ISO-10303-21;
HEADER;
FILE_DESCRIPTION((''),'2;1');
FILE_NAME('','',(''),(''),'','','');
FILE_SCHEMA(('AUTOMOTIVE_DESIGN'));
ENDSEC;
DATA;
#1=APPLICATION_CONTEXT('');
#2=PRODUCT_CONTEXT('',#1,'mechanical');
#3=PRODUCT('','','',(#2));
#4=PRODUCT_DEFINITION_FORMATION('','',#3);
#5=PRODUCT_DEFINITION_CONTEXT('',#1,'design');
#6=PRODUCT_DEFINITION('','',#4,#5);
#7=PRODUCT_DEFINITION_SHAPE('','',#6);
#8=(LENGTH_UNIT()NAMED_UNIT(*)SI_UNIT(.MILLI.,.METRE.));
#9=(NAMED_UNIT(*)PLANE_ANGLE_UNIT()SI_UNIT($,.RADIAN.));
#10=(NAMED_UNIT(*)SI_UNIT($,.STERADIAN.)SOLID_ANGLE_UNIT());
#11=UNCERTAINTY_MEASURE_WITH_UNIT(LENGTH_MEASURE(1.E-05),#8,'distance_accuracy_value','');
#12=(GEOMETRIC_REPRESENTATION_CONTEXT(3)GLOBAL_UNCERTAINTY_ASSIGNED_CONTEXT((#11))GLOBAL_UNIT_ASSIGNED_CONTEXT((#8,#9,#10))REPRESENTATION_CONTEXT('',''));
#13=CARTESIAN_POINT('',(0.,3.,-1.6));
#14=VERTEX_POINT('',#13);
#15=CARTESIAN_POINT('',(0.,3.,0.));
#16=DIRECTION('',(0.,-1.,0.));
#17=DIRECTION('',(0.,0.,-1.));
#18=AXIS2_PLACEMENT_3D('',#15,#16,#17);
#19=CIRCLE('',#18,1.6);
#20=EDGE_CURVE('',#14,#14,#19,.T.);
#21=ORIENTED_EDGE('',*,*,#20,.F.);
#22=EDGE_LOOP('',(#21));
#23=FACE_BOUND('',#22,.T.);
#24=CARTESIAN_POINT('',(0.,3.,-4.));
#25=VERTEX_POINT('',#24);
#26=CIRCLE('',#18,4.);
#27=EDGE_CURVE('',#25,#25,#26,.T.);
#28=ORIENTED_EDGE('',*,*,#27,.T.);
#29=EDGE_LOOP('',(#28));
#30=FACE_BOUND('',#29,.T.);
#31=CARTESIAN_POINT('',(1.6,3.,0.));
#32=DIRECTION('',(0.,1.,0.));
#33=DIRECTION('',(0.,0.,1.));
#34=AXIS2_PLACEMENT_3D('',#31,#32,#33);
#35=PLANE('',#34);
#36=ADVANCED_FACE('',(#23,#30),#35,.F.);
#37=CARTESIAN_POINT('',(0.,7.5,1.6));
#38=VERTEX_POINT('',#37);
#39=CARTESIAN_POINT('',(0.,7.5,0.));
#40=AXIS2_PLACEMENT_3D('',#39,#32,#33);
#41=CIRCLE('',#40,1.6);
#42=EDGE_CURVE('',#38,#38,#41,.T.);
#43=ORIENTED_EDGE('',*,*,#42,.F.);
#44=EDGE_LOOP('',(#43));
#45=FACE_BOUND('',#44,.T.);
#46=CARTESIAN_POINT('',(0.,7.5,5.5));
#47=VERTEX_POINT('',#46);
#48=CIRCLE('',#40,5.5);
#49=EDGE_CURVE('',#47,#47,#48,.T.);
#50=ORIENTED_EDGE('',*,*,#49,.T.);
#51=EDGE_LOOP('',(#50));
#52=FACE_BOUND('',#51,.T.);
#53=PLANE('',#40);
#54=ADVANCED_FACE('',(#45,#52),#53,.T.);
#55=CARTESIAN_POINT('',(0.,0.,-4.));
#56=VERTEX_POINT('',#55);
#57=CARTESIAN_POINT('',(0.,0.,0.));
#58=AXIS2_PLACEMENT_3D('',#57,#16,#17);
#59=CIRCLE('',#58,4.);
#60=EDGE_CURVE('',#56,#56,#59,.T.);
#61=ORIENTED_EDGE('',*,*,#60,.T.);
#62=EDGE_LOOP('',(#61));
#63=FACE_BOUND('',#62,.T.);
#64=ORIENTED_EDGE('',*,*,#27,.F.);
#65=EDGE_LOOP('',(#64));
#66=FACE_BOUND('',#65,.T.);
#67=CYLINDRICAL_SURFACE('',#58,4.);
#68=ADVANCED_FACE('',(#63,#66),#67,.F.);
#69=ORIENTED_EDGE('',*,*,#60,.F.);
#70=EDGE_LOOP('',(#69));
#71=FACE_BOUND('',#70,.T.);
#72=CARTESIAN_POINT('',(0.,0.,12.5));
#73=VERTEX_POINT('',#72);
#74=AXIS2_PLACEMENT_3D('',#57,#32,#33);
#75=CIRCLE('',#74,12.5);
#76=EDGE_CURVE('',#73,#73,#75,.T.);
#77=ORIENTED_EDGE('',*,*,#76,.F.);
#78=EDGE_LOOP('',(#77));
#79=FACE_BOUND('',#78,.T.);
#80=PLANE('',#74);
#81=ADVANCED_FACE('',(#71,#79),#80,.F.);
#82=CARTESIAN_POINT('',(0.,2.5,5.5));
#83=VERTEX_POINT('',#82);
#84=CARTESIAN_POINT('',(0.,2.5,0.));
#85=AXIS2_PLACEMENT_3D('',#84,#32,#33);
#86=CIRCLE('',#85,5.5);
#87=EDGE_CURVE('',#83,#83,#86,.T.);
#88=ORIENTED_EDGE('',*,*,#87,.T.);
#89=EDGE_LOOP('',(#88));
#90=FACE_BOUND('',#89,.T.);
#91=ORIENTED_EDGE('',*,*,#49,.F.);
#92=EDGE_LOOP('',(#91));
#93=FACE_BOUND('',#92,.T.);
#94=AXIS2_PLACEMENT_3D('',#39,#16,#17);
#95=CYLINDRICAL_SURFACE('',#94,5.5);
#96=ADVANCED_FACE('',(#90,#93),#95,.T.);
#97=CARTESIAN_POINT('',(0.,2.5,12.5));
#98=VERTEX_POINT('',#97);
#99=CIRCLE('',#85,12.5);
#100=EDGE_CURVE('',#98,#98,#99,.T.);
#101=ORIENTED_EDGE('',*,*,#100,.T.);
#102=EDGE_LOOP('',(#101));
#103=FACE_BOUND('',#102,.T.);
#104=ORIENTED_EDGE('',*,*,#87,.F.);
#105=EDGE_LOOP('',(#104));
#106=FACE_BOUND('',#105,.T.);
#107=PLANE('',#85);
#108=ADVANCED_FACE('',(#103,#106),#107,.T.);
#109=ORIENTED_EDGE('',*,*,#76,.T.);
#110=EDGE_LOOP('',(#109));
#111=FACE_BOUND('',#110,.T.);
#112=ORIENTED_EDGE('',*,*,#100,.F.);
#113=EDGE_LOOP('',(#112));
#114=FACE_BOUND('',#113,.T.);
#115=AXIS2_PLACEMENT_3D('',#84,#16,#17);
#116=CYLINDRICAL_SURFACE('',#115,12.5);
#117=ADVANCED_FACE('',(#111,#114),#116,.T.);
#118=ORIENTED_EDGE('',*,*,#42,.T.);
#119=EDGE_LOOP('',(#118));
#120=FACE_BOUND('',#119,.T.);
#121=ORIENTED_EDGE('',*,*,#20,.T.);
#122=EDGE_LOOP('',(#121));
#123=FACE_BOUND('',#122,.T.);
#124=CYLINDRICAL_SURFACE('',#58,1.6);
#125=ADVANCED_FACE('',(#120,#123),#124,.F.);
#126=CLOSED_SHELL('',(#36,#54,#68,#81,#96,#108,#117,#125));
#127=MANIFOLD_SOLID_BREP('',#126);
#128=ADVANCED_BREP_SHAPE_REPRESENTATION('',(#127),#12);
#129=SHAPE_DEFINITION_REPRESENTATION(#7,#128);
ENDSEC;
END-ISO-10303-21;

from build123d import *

# Parameters (mm, degrees)
SKETCH1_R           = 12.5
BOSS_EXTRUDE1_DEPTH = 2.5
SKETCH2_R           = 5.5
BOSS_EXTRUDE2_DEPTH = 5
HOLE1_D             = 3.2
HOLE1_DEPTH         = 100
HOLE1_CBORE_D       = 8
HOLE1_CBORE_DEPTH   = 3


with BuildPart() as part:
    # Sketch1 → Boss-Extrude1 (new body)
    with BuildSketch(Plane(origin=(0, 0, 0), x_dir=(1, 0, 0), z_dir=(0, 1, 0))):
        with Locations(Location((0, 0, 0), (0, 0, 270))):
            Circle(SKETCH1_R)
    extrude(amount=BOSS_EXTRUDE1_DEPTH)

    # Sketch2 → Boss-Extrude2 (add)
    with BuildSketch(Plane(origin=(0, 2.5, 0), x_dir=(1, 0, 0), z_dir=(0, 1, 0))):
        with Locations(Location((0, 0, 0), (0, 0, 270))):
            Circle(SKETCH2_R)
    extrude(amount=BOSS_EXTRUDE2_DEPTH)

    # Hole1
    with Locations(Plane(origin=(0, 0, 0), x_dir=(-1, 0, 0), z_dir=(0, -1, 0))):
        with Locations((0, 0)):
            CounterBoreHole(HOLE1_D / 2, HOLE1_CBORE_D / 2, HOLE1_CBORE_DEPTH, depth=HOLE1_DEPTH)


solid = part.part
